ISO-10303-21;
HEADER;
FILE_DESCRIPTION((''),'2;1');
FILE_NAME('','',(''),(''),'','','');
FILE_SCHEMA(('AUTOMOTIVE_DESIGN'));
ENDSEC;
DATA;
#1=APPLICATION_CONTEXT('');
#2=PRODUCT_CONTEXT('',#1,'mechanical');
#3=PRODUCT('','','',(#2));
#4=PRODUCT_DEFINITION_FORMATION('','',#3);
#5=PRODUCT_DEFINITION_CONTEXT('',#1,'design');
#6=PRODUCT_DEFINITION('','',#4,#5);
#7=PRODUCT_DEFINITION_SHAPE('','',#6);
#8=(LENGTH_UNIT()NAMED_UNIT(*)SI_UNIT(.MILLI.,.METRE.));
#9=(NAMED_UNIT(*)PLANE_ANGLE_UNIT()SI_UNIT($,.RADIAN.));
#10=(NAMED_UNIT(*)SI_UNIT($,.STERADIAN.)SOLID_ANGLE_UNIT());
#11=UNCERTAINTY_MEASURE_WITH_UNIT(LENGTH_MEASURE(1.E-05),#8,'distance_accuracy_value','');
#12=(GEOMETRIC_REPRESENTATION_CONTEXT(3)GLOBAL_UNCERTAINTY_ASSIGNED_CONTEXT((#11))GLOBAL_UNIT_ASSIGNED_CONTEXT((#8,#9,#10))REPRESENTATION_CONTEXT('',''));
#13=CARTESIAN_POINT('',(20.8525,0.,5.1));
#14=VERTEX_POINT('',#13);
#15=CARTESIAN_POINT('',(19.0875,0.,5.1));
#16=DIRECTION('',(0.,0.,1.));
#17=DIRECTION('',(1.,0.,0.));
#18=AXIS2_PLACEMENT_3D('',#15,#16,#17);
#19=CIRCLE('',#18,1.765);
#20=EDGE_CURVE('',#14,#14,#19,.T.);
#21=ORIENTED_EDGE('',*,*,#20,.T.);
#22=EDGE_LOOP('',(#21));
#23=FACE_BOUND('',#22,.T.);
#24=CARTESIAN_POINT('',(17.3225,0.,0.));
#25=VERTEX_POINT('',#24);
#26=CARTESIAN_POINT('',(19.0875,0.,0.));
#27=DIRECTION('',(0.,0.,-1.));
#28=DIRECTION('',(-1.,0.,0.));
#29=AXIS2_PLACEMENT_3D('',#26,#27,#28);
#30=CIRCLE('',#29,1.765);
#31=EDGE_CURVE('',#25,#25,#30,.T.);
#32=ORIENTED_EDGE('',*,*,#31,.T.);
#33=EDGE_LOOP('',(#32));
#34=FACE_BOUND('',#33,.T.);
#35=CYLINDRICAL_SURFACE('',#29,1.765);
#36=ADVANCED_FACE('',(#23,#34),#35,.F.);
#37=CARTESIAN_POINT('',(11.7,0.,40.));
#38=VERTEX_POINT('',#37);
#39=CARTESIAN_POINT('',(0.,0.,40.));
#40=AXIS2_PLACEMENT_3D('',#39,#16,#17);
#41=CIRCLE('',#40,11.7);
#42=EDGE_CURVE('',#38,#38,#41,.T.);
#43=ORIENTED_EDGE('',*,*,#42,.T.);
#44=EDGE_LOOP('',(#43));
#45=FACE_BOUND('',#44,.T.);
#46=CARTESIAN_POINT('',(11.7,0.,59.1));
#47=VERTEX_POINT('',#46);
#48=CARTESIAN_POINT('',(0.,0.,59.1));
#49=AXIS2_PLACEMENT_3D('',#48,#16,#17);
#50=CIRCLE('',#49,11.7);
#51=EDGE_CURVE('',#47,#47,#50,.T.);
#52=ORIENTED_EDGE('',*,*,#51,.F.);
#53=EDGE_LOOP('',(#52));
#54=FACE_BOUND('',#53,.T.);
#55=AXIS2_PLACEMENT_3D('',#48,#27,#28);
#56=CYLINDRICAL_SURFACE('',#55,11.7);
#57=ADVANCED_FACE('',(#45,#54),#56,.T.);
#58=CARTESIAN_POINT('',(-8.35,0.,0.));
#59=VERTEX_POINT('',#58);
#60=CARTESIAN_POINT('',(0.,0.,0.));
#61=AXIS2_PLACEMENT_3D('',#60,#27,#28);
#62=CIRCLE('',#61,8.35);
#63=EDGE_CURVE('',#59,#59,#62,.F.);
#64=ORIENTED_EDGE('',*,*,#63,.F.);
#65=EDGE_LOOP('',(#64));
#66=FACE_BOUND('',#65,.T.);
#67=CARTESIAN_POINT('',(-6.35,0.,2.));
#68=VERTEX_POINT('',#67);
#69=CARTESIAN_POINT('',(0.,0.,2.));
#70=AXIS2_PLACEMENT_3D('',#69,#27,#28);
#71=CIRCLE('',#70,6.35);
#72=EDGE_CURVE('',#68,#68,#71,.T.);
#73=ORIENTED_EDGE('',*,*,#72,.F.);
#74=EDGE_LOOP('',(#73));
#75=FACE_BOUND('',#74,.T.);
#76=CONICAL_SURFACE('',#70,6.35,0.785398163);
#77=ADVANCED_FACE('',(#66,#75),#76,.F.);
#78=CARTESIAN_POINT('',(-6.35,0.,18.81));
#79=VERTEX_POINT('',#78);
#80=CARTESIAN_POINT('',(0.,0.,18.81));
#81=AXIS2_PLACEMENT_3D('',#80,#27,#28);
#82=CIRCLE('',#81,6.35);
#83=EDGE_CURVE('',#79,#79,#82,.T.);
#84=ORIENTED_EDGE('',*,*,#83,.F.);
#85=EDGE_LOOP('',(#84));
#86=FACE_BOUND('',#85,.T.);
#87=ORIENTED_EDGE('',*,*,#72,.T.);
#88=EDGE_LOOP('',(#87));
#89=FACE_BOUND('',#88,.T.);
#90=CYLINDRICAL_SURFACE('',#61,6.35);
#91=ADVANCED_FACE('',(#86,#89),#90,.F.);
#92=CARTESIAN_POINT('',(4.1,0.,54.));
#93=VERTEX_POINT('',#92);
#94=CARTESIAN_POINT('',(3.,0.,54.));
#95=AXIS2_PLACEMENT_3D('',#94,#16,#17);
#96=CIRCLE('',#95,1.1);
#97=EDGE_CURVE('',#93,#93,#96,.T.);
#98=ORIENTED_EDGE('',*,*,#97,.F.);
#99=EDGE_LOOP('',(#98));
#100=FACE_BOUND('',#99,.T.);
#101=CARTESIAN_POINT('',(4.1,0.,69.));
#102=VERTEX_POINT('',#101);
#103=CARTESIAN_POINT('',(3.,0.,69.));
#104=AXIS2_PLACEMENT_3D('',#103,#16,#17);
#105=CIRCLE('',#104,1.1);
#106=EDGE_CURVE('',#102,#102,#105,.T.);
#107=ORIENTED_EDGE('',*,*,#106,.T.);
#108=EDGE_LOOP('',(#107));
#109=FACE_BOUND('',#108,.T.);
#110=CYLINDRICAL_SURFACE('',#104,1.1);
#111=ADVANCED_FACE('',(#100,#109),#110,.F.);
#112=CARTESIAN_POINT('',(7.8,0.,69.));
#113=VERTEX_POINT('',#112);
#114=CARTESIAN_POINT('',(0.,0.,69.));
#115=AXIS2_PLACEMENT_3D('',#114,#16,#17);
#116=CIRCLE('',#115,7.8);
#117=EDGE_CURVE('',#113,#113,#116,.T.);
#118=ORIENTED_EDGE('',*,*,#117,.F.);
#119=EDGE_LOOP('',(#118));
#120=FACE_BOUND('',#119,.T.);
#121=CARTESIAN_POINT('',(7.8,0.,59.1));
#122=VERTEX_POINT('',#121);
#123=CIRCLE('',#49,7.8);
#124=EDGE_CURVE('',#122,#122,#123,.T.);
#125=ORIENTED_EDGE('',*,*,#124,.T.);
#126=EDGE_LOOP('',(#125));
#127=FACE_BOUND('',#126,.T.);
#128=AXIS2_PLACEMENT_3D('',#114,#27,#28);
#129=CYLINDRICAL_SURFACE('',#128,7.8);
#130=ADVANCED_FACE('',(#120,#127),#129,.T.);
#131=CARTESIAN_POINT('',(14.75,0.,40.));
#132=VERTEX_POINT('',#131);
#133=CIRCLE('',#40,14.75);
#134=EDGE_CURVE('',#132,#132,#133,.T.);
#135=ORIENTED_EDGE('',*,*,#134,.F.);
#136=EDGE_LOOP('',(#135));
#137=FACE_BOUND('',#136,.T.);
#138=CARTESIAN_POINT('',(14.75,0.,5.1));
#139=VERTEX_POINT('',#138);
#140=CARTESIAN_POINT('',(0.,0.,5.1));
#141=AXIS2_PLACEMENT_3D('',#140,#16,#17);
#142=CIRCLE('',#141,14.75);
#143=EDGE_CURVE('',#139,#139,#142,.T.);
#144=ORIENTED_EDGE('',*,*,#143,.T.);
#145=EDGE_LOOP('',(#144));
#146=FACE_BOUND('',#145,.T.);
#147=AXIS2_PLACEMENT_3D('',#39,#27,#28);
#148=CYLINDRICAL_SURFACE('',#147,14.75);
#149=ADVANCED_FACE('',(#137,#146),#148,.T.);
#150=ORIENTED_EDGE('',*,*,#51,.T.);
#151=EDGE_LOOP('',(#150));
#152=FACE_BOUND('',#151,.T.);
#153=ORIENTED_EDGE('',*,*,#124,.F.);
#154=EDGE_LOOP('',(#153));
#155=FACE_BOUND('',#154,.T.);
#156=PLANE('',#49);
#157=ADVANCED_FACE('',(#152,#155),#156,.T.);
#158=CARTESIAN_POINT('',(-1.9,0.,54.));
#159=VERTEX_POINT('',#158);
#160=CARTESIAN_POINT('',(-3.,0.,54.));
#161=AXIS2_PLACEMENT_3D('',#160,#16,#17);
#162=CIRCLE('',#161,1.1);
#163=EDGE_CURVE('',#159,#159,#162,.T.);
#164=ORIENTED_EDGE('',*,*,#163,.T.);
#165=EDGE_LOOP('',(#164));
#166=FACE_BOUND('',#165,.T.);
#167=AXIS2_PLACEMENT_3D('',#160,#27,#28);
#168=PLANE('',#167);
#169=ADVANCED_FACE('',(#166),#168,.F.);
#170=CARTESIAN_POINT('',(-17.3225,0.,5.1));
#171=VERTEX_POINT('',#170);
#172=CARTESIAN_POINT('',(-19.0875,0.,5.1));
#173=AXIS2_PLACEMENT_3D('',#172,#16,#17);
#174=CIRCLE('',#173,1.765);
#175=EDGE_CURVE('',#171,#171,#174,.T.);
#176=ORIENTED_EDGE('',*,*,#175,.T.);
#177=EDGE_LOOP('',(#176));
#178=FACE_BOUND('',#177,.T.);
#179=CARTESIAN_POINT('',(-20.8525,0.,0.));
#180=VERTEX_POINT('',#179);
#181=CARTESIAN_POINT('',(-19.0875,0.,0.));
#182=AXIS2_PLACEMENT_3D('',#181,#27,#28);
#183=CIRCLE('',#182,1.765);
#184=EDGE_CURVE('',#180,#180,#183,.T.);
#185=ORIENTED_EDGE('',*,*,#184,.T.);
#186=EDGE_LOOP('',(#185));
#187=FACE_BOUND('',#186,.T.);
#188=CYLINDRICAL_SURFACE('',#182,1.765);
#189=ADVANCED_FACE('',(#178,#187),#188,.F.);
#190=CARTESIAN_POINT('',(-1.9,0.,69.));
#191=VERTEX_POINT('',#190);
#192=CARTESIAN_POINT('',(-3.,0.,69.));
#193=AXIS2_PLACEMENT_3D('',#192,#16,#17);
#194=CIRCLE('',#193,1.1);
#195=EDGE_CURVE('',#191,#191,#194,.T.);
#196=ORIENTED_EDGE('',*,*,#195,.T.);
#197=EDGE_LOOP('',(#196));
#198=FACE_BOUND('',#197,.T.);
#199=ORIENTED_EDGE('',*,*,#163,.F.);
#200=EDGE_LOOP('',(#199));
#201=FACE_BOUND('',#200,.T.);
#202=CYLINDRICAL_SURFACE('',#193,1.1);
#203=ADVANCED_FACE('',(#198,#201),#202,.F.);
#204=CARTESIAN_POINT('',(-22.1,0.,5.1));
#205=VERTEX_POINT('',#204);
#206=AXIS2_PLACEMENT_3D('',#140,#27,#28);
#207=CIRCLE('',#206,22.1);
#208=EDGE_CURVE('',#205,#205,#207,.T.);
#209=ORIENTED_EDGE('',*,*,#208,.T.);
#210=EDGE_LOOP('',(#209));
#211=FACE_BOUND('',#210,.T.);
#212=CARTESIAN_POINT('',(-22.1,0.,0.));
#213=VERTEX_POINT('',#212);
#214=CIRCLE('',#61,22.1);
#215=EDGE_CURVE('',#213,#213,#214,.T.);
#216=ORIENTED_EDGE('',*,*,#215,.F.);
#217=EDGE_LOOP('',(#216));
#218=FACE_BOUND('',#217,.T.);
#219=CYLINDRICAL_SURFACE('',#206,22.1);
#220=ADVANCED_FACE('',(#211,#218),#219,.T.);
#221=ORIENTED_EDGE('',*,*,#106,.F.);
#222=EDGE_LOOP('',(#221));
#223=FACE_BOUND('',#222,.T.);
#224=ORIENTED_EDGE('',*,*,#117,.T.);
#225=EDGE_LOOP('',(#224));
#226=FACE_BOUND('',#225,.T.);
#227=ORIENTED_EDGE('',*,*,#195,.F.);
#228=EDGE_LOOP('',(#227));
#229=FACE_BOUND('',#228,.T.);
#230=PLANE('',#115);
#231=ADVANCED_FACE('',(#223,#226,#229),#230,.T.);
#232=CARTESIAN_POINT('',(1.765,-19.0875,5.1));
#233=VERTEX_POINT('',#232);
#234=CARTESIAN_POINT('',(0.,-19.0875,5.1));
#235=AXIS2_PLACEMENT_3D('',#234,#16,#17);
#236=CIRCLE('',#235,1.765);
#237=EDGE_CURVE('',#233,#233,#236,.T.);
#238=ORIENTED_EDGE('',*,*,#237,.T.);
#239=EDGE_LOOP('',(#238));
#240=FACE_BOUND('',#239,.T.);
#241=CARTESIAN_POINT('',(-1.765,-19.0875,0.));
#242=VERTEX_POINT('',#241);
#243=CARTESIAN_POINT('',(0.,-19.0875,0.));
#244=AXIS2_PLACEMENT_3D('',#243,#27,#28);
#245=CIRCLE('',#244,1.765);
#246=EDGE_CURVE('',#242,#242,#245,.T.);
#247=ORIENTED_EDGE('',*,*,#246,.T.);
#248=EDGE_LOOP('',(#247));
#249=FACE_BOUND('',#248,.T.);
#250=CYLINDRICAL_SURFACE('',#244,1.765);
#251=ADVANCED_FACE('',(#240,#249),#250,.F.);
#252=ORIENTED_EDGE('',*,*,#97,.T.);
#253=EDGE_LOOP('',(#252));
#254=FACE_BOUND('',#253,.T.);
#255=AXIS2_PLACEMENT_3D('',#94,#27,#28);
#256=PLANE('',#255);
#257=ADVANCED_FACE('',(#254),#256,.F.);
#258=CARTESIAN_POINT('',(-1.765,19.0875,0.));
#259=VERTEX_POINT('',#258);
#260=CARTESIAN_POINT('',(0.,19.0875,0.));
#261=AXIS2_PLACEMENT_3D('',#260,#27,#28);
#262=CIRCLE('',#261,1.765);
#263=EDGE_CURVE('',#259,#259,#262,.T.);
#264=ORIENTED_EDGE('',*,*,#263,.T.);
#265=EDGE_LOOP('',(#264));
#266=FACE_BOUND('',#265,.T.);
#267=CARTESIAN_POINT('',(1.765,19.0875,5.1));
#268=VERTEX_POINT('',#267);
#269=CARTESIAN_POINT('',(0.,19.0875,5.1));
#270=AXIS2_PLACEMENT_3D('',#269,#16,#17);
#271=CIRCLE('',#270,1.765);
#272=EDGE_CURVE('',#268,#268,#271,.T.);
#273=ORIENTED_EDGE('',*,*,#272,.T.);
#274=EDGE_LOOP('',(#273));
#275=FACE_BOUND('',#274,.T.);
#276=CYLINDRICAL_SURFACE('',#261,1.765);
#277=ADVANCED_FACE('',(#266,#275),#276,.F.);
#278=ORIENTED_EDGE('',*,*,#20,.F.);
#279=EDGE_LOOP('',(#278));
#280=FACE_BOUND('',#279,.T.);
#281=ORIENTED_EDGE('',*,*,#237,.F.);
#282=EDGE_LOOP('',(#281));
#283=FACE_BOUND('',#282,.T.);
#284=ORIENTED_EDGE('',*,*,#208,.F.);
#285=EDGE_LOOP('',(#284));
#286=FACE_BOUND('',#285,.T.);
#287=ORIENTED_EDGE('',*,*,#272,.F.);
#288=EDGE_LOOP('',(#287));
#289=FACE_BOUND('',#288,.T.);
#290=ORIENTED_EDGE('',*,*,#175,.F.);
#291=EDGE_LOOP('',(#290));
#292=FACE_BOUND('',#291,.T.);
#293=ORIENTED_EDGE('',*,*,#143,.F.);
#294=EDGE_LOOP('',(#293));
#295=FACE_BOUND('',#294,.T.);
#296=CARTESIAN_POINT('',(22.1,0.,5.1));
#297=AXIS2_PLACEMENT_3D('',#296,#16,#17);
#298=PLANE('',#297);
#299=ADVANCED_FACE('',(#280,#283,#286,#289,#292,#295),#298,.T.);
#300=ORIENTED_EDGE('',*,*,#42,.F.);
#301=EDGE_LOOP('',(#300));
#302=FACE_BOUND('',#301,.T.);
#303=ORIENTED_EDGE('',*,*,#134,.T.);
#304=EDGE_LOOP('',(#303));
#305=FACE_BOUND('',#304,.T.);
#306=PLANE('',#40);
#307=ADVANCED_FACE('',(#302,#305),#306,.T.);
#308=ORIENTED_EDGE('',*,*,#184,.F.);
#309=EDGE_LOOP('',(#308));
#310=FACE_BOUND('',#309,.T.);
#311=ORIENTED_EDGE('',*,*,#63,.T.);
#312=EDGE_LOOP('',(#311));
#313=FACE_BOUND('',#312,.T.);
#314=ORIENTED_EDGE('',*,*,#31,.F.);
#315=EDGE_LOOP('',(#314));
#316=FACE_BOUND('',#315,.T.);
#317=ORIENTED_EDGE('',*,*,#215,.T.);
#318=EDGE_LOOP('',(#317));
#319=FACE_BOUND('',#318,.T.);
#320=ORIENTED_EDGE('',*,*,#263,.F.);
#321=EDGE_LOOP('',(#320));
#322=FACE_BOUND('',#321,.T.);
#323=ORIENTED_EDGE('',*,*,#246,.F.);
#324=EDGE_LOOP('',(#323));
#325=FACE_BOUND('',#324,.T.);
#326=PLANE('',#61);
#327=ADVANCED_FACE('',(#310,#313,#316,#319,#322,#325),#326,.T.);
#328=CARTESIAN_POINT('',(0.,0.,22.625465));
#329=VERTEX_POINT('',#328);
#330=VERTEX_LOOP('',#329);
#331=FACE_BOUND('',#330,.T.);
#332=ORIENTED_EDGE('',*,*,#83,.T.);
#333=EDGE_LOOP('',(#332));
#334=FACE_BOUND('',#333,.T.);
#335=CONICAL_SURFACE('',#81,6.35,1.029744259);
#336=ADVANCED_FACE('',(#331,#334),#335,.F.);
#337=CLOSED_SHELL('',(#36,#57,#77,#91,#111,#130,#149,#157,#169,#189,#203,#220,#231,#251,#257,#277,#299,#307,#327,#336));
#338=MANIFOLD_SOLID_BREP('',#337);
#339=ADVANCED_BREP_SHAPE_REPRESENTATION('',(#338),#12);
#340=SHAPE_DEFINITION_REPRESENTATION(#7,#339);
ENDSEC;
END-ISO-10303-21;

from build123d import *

# Parameters (mm, degrees)
SKETCH1_W                      = 22.1
SKETCH1_H                      = 5.1
SKETCH2_R                      = 14.75
BOSS_EXTRUDE1_DEPTH            = 34.9
SKETCH3_R                      = 11.7
BOSS_EXTRUDE2_DEPTH            = 19.1
SKETCH4_R                      = 7.8
BOSS_EXTRUDE3_DEPTH            = 9.9
M10_CLEARANCE_HOLE1_D          = 12.7
M10_CLEARANCE_HOLE1_DEPTH      = 18.81
M10_CLEARANCE_HOLE1_TIP        = 3.815464931
F_2_2_2_2_DIAMETER_HOLE1_D     = 2.2
F_2_2_2_2_DIAMETER_HOLE1_DEPTH = 15
M3_CLEARANCE_HOLE1_D           = 3.53
M3_CLEARANCE_HOLE1_DEPTH       = 69
CHAMFER1_SIZE                  = 2


with BuildPart() as part:
    # Sketch1 → Revolve1 (revolve)
    with BuildSketch(Plane.XZ, mode=Mode.PRIVATE) as revolve1_sk:
        with Locations((11.05, 2.55)):
            Rectangle(SKETCH1_W, SKETCH1_H)
    revolve(revolve1_sk.sketch.rotate(Axis((0, 0, 5.1), (0, 0, -1)), 180), axis=Axis((0, 0, 5.1), (0, 0, -1)))

    # Sketch2 → Boss-Extrude1 (add)
    with BuildSketch(Plane.XY.offset(5.1)):
        Circle(SKETCH2_R)
    extrude(amount=BOSS_EXTRUDE1_DEPTH)

    # Sketch3 → Boss-Extrude2 (add)
    with BuildSketch(Plane.XY.offset(40)):
        Circle(SKETCH3_R)
    extrude(amount=BOSS_EXTRUDE2_DEPTH)

    # Sketch4 → Boss-Extrude3 (add)
    with BuildSketch(Plane.XY.offset(59.1)):
        Circle(SKETCH4_R)
    extrude(amount=BOSS_EXTRUDE3_DEPTH)

    # M10 Clearance Hole1
    with Locations(Plane(origin=(0, 0, 0), x_dir=(-1, 0, 0), z_dir=(0, 0, -1))):
        with Locations((0, 0)):
            Hole(M10_CLEARANCE_HOLE1_D / 2, depth=M10_CLEARANCE_HOLE1_DEPTH)
            with Locations((0, 0, -(M10_CLEARANCE_HOLE1_DEPTH + M10_CLEARANCE_HOLE1_TIP / 2))):  # 118° drill point
                Cone(0, M10_CLEARANCE_HOLE1_D / 2, M10_CLEARANCE_HOLE1_TIP, mode=Mode.SUBTRACT)

    # Ø2.2 (2.2) Diameter Hole1
    with Locations(Plane.XY.offset(69)):
        with Locations((-3, 0), (3, 0)):
            Hole(F_2_2_2_2_DIAMETER_HOLE1_D / 2, depth=F_2_2_2_2_DIAMETER_HOLE1_DEPTH)

    # M3 Clearance Hole1
    with Locations(Plane(origin=(0, 0, 0), x_dir=(-1, 0, 0), z_dir=(0, 0, -1))):
        with Locations((0, 19.0875), (-19.0875, 0), (0, -19.0875), (19.0875, 0)):
            Hole(M3_CLEARANCE_HOLE1_D / 2, depth=M3_CLEARANCE_HOLE1_DEPTH)

    # Chamfer1
    chamfer1_edges = [part.edges().sort_by_distance(p)[0] for p in [
        (-6.35, 0, 0),
    ]]
    chamfer(chamfer1_edges, length=CHAMFER1_SIZE)


solid = part.part
